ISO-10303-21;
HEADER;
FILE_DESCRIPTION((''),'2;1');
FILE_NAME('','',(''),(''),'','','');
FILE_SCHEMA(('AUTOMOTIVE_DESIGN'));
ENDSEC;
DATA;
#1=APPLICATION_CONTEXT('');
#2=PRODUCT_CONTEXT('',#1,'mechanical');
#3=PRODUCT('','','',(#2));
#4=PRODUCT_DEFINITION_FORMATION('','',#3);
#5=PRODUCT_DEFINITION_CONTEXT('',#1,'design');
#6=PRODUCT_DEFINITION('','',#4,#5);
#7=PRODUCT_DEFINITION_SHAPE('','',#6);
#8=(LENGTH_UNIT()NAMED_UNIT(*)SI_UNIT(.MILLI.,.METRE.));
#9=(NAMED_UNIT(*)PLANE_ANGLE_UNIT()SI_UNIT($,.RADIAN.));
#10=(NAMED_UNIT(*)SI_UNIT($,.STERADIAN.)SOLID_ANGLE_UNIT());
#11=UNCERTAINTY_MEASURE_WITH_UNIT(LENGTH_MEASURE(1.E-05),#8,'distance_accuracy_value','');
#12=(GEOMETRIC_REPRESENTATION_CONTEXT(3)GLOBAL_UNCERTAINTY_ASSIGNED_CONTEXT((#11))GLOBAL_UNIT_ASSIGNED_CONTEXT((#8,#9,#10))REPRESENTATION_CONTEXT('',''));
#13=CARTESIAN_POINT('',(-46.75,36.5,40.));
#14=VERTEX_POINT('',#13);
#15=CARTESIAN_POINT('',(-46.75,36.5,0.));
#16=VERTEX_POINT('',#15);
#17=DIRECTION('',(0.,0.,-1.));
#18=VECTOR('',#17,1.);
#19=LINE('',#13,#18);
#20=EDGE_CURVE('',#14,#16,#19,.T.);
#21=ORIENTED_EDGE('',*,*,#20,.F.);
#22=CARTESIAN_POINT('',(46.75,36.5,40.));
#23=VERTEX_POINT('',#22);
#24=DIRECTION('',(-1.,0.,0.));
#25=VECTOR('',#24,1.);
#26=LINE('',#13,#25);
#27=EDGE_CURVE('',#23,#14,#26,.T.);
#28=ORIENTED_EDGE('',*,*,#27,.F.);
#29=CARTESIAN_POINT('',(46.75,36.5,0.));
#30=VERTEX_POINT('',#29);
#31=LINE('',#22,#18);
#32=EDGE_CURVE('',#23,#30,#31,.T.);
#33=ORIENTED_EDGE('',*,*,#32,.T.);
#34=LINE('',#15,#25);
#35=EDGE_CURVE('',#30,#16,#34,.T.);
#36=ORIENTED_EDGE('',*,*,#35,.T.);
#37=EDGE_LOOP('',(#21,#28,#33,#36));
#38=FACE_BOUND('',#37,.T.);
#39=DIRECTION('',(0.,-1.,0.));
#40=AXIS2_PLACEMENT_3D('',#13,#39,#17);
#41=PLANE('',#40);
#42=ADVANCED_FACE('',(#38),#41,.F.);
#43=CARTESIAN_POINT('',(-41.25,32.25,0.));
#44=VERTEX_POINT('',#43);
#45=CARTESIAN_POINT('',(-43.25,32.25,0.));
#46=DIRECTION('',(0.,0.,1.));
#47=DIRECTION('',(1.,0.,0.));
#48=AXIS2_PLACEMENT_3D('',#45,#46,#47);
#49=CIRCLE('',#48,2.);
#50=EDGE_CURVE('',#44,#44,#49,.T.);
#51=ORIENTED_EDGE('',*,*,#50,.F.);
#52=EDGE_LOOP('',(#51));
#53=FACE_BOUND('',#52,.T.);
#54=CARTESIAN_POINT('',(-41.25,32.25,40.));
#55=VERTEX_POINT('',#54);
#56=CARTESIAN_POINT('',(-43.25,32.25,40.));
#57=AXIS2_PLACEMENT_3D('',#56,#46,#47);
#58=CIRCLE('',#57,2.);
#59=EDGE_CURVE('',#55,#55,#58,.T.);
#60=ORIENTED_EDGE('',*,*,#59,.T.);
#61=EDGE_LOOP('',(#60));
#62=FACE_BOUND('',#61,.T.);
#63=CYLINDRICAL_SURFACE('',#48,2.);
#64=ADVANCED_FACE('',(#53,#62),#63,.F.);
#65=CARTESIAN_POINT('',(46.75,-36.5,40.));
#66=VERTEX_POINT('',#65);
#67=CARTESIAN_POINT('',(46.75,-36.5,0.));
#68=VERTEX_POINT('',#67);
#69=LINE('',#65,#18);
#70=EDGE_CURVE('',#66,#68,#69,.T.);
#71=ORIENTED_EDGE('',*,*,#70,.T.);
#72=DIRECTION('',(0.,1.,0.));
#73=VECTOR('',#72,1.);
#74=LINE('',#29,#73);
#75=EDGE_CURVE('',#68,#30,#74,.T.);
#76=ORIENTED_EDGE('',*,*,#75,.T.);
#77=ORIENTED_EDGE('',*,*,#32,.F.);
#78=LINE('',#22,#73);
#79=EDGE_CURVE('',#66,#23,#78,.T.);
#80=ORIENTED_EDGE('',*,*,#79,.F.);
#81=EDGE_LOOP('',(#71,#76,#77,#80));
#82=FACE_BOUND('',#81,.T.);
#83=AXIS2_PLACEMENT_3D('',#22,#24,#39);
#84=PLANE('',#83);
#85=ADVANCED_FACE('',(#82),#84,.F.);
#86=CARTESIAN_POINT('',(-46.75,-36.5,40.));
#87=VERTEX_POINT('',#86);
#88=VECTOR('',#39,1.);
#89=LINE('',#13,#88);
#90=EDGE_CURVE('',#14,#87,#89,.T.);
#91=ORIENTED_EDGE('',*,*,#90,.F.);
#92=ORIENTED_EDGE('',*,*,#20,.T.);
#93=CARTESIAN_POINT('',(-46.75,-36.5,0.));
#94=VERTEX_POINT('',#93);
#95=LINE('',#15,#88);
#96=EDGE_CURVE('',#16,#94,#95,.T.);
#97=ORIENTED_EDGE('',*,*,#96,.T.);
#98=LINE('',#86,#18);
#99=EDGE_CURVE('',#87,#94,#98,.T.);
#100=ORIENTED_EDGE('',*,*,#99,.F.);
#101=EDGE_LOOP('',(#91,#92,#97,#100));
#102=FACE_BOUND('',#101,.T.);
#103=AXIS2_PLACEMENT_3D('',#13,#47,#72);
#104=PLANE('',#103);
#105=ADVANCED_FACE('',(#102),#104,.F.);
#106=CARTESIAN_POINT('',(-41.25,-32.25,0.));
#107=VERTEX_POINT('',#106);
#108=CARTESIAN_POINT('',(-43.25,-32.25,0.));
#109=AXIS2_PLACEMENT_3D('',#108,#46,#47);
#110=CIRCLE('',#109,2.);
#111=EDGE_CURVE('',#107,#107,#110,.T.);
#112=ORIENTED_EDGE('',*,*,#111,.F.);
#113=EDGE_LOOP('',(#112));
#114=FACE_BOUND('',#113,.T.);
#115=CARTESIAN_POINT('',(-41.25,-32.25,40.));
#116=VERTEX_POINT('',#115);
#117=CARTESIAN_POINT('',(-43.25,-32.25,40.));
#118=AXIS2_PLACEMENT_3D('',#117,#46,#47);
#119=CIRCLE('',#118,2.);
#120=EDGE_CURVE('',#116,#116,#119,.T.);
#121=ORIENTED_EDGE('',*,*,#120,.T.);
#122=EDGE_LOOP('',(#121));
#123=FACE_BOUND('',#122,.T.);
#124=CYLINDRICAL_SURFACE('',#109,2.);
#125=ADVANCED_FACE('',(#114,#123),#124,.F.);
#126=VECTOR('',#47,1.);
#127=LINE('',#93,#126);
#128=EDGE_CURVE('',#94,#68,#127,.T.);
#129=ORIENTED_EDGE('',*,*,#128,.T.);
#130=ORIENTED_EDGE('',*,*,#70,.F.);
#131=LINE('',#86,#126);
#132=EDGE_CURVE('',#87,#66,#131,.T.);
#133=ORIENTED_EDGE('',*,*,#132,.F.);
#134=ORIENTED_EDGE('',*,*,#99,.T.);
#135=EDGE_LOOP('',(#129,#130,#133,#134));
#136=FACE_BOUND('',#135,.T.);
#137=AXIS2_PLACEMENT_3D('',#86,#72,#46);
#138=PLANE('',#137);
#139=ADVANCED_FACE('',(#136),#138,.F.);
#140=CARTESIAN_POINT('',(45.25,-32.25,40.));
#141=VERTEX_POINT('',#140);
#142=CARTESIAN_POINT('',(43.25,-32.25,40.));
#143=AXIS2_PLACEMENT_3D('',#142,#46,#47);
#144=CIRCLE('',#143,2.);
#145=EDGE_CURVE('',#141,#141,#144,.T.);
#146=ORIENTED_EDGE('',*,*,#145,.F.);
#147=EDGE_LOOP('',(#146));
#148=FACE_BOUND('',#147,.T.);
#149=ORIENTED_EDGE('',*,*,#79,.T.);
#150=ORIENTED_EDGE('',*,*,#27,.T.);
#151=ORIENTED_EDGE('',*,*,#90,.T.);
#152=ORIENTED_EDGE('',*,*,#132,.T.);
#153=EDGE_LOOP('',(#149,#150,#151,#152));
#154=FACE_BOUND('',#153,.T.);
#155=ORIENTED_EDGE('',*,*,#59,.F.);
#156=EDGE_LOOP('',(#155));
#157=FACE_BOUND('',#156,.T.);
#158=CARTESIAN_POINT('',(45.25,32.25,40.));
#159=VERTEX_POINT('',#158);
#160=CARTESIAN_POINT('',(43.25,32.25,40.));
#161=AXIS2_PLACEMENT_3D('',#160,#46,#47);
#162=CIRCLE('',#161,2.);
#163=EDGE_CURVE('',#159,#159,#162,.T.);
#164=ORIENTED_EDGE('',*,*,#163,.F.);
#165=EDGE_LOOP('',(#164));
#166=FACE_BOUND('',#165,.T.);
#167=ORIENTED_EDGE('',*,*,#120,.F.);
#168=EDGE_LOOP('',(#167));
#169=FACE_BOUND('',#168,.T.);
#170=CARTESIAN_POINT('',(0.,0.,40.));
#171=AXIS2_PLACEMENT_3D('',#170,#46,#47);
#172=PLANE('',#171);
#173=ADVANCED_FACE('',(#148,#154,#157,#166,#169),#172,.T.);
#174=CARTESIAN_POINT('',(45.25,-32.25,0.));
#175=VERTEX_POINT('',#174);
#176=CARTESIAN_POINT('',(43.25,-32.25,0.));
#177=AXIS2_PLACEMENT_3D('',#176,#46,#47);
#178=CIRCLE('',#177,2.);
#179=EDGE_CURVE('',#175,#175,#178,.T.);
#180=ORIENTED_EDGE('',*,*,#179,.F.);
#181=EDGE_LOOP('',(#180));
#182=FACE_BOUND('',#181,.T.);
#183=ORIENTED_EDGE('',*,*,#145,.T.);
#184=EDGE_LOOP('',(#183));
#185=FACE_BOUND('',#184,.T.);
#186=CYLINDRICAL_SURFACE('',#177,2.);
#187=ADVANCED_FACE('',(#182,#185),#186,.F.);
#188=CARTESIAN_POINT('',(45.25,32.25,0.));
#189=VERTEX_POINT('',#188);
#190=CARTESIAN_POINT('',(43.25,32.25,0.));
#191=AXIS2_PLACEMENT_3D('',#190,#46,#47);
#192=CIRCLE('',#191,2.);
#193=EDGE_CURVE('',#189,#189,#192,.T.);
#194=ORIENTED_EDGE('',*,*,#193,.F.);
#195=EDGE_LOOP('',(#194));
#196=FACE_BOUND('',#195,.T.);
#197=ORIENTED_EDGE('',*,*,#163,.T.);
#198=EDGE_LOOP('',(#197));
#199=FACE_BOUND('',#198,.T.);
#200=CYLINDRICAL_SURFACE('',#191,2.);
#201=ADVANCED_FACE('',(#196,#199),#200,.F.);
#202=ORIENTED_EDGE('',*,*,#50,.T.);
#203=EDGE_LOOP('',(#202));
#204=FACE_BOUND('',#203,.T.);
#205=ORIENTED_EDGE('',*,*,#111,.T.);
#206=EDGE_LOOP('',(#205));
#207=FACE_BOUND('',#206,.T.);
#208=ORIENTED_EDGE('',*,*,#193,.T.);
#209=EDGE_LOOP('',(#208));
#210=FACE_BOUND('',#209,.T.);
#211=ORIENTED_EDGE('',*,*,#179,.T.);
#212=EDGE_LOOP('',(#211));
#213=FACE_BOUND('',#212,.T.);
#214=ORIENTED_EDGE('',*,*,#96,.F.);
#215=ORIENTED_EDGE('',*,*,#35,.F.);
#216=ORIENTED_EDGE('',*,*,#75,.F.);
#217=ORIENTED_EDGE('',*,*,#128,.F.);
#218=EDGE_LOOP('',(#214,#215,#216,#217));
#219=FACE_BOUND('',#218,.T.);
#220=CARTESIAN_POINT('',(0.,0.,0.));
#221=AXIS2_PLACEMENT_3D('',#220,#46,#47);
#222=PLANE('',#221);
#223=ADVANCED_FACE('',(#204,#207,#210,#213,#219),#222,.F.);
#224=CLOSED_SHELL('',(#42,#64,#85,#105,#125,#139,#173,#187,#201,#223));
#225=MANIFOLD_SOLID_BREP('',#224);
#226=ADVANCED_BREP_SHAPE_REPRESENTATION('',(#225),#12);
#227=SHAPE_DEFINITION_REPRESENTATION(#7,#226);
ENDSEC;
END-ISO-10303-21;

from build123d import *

# Parameters (mm, degrees)
SKIZZE1_W                       = 93.5
SKIZZE1_H                       = 73
AUFSATZ_LINEAR_AUSTRAGEN1_DEPTH = 40
SKIZZE2_R                       = 2
SCHNITT_LINEAR_AUSTRAGEN1_DEPTH = 72.538888026


with BuildPart() as part:
    # Skizze1 → Aufsatz-Linear austragen1 (new body)
    with BuildSketch(Plane.XY):
        Rectangle(SKIZZE1_W, SKIZZE1_H)
    extrude(amount=AUFSATZ_LINEAR_AUSTRAGEN1_DEPTH)

    # Skizze2 → Schnitt-Linear austragen1 (cut, through all)
    with BuildSketch(Plane.XY.offset(40)):
        with Locations((-43.25, 32.25)):
            Circle(SKIZZE2_R)
        with Locations((43.25, 32.25)):
            Circle(SKIZZE2_R)
        with Locations((43.25, -32.25)):
            Circle(SKIZZE2_R)
        with Locations((-43.25, -32.25)):
            Circle(SKIZZE2_R)
    extrude(amount=-SCHNITT_LINEAR_AUSTRAGEN1_DEPTH, mode=Mode.SUBTRACT)


solid = part.part
